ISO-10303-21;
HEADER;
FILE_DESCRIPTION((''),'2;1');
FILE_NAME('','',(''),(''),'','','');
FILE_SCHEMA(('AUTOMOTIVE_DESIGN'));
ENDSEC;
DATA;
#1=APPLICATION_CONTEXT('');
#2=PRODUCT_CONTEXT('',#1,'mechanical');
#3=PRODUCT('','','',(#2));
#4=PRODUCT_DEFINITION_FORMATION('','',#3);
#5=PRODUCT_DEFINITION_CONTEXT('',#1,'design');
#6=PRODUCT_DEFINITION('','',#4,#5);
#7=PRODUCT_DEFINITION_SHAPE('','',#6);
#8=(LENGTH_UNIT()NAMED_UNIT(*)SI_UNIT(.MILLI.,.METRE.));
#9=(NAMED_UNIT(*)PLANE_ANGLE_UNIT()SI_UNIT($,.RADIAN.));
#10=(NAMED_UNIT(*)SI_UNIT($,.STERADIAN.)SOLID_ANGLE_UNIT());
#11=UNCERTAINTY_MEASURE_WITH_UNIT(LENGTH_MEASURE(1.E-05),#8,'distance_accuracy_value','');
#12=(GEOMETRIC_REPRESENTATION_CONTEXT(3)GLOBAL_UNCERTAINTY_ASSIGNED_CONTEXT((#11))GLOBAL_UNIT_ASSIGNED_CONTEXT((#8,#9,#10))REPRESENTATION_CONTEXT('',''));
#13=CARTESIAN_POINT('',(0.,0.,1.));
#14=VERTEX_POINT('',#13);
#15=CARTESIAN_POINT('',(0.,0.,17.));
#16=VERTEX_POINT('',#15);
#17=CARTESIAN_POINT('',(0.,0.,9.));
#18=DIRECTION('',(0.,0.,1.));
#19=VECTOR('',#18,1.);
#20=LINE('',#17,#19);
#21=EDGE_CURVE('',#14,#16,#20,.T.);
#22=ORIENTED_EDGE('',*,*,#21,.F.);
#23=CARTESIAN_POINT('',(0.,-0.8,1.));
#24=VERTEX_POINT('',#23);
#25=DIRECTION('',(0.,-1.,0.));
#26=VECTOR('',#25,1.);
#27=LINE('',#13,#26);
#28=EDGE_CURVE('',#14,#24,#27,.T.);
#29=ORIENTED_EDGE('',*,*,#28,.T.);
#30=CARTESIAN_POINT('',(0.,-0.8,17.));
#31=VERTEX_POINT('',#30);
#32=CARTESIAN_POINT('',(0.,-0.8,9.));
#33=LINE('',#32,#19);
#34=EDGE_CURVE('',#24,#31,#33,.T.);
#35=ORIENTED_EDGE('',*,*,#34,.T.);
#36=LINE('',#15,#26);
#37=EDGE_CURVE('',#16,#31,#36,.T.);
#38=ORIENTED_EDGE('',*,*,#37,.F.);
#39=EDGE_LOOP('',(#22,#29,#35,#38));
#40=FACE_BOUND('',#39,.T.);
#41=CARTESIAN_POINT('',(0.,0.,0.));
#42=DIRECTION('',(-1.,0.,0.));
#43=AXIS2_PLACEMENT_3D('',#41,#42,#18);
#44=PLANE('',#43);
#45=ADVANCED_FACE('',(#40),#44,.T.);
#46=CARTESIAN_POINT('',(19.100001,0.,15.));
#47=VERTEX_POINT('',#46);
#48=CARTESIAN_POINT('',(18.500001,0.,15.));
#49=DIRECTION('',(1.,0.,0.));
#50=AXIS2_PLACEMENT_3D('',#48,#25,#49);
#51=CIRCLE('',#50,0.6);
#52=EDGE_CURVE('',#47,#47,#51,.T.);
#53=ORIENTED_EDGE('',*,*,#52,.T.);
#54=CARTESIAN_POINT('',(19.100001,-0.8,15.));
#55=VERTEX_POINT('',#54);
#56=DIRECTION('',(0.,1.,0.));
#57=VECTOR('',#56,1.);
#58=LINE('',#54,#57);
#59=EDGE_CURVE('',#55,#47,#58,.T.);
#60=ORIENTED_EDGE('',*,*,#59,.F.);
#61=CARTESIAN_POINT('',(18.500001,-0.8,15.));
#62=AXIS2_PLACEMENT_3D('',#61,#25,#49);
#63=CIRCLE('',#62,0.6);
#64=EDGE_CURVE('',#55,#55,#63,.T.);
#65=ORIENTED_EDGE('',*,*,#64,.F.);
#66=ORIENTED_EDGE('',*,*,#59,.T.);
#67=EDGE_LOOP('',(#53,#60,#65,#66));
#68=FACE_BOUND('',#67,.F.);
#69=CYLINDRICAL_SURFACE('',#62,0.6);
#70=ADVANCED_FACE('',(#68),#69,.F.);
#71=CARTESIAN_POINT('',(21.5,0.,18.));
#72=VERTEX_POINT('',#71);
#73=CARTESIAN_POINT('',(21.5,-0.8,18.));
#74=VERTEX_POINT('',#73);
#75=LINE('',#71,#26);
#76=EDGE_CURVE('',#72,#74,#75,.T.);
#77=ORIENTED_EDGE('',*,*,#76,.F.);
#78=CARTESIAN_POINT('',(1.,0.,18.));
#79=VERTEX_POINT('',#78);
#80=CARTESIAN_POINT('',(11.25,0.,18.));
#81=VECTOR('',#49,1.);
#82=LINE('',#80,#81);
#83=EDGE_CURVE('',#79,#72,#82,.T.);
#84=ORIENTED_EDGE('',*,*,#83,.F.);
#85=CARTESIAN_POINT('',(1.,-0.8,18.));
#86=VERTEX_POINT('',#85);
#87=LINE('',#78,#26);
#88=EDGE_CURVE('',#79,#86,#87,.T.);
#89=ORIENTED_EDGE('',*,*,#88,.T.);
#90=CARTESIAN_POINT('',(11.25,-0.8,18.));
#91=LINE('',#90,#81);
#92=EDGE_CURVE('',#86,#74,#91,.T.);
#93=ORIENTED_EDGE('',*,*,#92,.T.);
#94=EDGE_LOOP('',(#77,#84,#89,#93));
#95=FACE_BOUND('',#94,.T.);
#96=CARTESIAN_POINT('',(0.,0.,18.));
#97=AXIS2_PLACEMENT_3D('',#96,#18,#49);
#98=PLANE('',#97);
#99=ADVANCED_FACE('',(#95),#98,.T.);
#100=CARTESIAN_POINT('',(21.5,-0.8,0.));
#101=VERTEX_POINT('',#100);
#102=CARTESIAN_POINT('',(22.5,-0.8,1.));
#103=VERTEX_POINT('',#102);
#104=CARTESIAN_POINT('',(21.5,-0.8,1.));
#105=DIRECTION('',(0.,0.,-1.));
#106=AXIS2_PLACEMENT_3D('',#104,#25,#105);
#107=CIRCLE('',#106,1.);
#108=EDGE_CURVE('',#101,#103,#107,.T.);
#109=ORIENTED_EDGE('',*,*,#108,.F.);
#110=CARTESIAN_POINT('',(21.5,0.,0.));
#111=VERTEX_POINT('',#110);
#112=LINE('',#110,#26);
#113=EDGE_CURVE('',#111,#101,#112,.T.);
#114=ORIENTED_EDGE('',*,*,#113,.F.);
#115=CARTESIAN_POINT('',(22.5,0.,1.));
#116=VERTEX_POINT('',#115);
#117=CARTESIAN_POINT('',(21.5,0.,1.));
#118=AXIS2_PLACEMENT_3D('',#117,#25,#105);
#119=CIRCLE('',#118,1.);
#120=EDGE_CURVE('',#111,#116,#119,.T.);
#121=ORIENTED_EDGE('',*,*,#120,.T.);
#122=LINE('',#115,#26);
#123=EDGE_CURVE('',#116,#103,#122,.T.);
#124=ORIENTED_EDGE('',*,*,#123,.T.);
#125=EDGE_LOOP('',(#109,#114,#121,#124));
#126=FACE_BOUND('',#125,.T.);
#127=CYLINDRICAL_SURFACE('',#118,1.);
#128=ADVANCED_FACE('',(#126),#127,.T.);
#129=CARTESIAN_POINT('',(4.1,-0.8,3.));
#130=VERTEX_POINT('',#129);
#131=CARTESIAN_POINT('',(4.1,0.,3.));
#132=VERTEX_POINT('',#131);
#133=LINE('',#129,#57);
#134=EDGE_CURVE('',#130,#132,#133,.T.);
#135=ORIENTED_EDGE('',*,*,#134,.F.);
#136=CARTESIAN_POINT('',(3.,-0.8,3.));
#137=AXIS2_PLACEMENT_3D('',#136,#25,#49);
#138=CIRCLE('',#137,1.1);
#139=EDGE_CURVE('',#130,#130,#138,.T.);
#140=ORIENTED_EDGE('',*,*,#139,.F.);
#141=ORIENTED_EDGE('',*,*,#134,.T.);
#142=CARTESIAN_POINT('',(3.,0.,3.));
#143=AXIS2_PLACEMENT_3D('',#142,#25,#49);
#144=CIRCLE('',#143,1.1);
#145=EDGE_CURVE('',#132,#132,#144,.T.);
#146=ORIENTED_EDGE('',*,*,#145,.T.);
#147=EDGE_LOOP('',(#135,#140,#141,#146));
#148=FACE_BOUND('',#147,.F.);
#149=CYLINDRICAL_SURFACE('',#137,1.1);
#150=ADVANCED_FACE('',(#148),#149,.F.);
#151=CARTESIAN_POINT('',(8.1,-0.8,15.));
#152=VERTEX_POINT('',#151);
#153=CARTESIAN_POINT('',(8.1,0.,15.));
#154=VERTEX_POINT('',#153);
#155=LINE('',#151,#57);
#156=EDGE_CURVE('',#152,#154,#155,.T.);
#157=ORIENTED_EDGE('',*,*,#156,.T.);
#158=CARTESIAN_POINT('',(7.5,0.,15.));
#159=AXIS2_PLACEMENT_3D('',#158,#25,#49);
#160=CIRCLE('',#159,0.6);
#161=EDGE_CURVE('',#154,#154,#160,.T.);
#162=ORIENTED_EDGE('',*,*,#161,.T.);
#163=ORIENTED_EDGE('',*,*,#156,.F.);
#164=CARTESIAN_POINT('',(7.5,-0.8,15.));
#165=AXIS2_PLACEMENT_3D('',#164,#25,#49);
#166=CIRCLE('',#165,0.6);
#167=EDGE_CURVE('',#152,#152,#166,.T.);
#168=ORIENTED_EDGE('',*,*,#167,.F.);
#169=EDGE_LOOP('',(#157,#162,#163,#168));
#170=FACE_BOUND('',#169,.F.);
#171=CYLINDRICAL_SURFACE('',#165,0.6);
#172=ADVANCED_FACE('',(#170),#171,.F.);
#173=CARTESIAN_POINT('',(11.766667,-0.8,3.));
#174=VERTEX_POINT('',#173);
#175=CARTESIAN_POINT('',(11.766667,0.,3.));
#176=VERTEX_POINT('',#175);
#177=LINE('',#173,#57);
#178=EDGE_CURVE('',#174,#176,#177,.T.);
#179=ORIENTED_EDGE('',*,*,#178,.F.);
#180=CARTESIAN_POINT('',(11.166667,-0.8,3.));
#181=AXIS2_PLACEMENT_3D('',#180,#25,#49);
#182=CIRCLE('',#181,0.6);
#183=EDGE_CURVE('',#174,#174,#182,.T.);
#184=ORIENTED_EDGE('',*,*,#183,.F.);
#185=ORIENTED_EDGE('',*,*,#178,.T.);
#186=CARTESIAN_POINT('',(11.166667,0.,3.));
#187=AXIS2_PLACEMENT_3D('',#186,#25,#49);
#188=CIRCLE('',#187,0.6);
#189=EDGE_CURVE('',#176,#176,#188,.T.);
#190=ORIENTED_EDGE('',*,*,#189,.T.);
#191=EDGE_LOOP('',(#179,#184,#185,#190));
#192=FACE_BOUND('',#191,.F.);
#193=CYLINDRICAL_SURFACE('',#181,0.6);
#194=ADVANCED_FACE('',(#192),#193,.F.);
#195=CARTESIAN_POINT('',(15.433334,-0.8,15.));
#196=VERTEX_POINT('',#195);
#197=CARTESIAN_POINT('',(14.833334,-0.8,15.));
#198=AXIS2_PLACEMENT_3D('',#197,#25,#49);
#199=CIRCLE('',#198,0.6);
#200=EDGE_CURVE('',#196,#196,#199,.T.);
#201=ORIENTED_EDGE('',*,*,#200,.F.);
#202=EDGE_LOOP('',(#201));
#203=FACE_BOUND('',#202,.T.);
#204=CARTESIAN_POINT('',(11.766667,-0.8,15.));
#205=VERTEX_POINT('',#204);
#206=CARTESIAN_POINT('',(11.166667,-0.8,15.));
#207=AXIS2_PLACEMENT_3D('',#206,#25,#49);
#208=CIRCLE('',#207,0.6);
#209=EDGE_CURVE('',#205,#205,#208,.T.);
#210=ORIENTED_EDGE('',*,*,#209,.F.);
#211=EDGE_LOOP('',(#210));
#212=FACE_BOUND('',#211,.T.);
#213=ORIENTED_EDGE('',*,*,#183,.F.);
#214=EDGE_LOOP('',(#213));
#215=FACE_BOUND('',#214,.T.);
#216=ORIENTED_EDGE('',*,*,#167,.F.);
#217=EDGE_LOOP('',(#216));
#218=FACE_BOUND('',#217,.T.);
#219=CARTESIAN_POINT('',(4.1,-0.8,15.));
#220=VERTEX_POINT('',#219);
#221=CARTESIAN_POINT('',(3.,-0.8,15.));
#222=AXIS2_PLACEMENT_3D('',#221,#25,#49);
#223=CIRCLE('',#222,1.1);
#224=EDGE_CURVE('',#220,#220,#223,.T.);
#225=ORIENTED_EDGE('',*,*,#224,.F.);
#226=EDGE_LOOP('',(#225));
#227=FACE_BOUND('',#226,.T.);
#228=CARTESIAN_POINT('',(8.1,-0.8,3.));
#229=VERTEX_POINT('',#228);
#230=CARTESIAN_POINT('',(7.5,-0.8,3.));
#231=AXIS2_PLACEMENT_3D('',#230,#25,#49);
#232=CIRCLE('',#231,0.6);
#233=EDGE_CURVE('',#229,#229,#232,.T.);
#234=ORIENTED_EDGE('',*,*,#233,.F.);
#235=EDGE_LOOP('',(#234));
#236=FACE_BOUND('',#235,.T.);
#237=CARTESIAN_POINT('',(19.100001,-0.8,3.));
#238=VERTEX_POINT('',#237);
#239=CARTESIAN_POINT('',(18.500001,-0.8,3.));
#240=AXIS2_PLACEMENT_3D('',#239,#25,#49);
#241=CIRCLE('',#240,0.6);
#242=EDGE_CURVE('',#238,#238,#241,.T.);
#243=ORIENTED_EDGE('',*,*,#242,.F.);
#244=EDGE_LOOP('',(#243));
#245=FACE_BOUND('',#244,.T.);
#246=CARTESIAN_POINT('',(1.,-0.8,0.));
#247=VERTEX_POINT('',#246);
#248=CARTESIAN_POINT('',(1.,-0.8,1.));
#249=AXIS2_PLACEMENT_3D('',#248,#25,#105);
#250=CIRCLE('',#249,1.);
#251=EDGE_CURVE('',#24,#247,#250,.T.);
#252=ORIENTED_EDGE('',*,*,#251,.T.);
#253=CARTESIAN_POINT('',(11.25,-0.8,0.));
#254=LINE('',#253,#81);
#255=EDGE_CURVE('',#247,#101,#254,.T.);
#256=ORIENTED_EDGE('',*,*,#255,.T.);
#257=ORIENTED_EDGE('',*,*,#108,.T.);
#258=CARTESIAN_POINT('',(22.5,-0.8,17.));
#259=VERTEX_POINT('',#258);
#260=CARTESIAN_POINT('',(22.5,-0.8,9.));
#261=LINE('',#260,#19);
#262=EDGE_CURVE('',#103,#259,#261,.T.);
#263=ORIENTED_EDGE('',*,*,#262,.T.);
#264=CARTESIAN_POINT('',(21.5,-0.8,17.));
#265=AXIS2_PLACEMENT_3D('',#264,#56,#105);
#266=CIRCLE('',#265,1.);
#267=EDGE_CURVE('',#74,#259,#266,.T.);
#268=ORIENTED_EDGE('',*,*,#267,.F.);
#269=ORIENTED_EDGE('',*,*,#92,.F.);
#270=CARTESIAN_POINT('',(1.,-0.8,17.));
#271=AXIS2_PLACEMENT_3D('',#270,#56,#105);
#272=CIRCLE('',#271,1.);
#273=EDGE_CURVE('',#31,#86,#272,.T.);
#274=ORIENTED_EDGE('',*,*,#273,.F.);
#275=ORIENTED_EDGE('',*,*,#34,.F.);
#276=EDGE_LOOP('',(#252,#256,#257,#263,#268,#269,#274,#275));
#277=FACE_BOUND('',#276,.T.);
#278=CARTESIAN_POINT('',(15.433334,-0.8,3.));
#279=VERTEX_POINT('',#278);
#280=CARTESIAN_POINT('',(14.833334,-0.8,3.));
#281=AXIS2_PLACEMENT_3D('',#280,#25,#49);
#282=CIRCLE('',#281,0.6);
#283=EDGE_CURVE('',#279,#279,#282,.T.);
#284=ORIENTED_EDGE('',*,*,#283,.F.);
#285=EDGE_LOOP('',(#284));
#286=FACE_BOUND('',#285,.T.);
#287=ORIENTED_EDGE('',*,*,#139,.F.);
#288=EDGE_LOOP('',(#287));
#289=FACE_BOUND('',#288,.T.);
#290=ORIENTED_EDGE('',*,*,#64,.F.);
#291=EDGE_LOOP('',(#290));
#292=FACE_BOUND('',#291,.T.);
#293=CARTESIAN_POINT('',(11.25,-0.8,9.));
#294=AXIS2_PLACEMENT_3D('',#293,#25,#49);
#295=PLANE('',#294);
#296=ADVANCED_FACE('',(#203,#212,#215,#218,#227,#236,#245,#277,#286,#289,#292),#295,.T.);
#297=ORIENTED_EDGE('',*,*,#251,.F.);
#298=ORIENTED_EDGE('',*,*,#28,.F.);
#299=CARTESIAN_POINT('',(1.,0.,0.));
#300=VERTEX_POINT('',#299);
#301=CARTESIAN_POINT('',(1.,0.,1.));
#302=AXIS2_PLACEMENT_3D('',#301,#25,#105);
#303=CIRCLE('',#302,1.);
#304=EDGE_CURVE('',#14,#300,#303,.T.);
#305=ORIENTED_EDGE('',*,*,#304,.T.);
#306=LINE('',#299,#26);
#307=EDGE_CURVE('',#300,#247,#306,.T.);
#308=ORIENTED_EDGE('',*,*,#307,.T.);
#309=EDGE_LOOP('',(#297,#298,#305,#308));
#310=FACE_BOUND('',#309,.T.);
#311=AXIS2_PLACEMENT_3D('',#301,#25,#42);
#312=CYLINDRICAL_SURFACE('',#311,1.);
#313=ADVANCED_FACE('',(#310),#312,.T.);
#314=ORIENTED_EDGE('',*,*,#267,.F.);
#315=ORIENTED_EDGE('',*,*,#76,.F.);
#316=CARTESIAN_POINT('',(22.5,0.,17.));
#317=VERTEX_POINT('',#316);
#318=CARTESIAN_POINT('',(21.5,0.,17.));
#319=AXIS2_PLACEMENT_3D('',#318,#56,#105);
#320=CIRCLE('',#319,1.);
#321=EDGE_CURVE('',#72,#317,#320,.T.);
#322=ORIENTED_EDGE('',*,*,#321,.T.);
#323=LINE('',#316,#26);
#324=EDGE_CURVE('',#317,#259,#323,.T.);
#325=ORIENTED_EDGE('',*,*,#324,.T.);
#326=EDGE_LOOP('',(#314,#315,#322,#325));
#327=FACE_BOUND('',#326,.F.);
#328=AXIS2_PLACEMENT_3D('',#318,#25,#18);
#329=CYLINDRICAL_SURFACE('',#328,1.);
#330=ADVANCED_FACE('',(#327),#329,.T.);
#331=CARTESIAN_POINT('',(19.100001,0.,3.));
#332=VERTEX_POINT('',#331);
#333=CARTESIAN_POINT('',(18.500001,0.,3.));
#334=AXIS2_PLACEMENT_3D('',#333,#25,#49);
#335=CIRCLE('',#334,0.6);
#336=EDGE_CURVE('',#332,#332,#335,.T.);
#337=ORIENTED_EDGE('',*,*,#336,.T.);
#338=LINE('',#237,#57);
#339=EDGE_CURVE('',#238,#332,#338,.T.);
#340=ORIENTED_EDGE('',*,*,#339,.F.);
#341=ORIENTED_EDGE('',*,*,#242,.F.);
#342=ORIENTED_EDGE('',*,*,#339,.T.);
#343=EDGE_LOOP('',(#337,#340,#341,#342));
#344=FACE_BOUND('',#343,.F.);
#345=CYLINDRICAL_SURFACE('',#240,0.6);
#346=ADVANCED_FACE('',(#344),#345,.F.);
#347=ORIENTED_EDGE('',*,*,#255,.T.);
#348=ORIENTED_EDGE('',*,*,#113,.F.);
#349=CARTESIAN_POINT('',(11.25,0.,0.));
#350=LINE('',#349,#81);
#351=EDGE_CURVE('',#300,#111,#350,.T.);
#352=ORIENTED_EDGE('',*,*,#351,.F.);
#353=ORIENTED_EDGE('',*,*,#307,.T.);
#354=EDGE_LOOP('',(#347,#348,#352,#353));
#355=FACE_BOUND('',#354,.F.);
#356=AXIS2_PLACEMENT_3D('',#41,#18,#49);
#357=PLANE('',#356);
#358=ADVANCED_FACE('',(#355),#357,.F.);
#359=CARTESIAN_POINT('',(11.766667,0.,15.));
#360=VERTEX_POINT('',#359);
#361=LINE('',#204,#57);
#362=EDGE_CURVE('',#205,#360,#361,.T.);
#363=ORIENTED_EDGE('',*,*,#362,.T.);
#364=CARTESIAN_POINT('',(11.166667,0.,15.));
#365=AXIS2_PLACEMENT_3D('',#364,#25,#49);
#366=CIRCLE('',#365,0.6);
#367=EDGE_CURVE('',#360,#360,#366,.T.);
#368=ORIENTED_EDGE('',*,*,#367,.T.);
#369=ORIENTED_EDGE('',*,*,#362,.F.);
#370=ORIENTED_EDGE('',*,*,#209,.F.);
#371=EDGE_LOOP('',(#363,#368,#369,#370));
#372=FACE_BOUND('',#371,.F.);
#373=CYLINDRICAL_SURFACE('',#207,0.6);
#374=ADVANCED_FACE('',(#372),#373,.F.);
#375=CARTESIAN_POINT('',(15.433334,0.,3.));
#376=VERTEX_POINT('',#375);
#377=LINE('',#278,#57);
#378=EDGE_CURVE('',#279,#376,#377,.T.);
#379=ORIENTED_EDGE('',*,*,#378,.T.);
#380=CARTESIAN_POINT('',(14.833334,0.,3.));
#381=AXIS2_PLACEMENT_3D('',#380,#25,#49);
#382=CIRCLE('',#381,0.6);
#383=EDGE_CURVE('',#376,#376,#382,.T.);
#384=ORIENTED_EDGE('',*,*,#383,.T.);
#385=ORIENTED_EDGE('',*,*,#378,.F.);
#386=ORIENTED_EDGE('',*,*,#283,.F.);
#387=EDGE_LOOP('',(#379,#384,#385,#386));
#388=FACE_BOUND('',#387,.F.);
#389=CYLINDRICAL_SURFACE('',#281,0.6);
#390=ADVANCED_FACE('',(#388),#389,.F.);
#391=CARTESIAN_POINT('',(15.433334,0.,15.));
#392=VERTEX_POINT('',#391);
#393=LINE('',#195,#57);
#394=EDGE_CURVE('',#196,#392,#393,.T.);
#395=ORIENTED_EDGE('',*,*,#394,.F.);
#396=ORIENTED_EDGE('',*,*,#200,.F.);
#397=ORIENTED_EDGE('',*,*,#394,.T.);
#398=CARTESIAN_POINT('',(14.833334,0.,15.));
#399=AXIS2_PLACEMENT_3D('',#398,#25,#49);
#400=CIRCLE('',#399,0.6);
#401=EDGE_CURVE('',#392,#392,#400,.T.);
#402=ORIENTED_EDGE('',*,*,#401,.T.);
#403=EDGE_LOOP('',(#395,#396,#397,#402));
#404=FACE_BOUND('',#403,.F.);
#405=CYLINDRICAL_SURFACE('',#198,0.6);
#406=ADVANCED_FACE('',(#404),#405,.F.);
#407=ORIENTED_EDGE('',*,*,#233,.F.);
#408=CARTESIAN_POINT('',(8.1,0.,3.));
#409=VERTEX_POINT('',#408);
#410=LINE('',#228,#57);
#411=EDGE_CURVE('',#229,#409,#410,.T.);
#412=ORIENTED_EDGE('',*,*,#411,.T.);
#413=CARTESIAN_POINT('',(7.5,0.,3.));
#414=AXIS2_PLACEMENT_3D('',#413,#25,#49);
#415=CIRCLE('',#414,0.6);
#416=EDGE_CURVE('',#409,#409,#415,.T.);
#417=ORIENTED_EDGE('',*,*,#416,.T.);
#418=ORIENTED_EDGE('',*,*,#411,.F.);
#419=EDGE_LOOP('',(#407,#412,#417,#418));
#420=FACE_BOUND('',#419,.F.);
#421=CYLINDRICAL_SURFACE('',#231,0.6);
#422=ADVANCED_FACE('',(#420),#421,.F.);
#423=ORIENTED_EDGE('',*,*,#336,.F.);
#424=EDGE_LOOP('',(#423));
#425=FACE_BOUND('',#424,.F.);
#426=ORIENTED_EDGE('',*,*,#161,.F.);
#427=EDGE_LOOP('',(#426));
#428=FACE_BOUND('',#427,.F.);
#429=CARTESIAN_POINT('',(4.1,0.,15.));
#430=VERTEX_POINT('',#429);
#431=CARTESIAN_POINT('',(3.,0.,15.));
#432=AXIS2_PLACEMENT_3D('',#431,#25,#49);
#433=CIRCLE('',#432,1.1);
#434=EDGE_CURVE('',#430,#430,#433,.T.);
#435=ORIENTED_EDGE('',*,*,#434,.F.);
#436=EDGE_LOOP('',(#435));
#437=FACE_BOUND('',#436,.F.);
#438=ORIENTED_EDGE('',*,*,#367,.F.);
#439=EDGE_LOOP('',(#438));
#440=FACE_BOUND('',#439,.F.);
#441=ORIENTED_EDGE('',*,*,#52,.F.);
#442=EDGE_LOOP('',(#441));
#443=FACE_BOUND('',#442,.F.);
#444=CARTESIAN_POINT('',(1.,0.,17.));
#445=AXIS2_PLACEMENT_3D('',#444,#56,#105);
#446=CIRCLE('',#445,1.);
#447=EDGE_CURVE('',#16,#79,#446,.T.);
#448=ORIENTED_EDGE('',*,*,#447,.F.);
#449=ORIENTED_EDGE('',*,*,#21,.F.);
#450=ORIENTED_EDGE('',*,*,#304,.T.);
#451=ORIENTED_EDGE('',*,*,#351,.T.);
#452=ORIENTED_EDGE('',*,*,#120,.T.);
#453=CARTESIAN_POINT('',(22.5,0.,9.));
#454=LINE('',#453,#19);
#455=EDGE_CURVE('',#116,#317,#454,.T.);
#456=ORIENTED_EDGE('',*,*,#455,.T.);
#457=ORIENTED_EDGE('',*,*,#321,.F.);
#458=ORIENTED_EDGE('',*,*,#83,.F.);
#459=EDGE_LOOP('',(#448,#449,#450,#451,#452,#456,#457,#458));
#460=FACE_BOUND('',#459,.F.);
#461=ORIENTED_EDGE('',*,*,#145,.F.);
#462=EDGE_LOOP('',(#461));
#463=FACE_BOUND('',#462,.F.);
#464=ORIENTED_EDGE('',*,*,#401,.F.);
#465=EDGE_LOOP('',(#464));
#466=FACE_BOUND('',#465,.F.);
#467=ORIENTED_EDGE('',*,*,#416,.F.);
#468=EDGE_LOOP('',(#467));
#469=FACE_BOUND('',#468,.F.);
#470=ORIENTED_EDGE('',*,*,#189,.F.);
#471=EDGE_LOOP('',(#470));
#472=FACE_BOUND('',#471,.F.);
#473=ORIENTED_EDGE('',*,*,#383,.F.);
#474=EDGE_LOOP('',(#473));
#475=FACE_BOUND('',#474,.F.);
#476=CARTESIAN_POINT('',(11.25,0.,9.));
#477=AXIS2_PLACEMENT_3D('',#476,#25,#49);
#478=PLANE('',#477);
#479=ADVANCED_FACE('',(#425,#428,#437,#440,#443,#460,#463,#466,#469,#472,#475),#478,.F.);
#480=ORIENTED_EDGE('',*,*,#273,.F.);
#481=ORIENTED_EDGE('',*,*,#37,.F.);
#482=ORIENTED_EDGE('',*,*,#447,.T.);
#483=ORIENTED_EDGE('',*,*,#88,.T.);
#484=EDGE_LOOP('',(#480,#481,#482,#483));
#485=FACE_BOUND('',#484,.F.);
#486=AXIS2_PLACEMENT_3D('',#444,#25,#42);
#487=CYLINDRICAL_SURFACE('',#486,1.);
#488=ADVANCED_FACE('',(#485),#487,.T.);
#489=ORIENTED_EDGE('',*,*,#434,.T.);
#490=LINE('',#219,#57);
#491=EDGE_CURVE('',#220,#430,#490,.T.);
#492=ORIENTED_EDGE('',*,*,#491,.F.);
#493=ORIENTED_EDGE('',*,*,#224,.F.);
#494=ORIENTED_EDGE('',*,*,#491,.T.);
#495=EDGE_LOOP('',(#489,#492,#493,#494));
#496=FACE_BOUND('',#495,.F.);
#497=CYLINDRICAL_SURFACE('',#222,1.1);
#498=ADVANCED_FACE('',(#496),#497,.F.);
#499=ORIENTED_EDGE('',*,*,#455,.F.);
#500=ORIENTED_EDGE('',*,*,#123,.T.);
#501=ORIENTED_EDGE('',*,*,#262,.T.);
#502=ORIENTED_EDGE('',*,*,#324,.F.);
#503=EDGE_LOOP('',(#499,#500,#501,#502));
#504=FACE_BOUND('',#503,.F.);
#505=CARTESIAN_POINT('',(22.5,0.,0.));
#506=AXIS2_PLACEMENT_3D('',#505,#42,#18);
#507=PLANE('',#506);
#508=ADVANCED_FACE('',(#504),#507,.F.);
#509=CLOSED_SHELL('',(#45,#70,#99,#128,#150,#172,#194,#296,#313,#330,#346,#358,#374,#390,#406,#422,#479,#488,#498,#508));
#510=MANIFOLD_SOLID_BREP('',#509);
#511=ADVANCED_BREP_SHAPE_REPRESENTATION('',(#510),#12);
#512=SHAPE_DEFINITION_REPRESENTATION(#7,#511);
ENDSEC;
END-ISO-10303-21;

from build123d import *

# Parameters (mm, degrees)
SKETCH_W            = 22.5
SKETCH_H            = 18
PAD_DEPTH           = 0.8
SKETCH001_R         = 1.1
POCKET_DEPTH        = 5
FILLET_R            = 1
SKETCH002_R         = 0.6
POCKET001_DEPTH     = 5
LINEARPATTERN_COUNT = 4
LINEARPATTERN_PITCH = 3.666667


with BuildPart() as part:
    # Sketch → Pad (new body)
    with BuildSketch(Plane.XZ):
        with Locations((11.25, 9)):
            Rectangle(SKETCH_W, SKETCH_H)
    extrude(amount=PAD_DEPTH)

    # Sketch001 (on Face6 of Pad) → Pocket (cut)
    with BuildSketch(Plane.XZ.offset(0.8)):
        with Locations((3, 15)):
            Circle(SKETCH001_R)
        with Locations((3, 3)):
            Circle(SKETCH001_R)
    extrude(amount=-POCKET_DEPTH, mode=Mode.SUBTRACT)

    # Fillet
    fillet_edges = [part.edges().sort_by_distance(p)[0] for p in [
        (0, -0.4, 18),
        (22.5, -0.4, 18),
        (22.5, -0.4, 0),
        (0, -0.4, 0),
    ]]
    fillet(fillet_edges, radius=FILLET_R)

    # Sketch002 (on Face5 of Fillet) → Pocket001 (cut)
    with BuildSketch(Plane.XZ.offset(0.8)):
        with Locations((7.5, 15)):
            Circle(SKETCH002_R)
        with Locations((7.5, 3)):
            Circle(SKETCH002_R)
    pocket001 = extrude(amount=-POCKET001_DEPTH, mode=Mode.SUBTRACT)

    # LinearPattern: Pocket001 ×4
    with Locations(*[(i * LINEARPATTERN_PITCH, 0, 0) for i in range(1, LINEARPATTERN_COUNT)]):
        add(pocket001, mode=Mode.SUBTRACT)


solid = part.part
